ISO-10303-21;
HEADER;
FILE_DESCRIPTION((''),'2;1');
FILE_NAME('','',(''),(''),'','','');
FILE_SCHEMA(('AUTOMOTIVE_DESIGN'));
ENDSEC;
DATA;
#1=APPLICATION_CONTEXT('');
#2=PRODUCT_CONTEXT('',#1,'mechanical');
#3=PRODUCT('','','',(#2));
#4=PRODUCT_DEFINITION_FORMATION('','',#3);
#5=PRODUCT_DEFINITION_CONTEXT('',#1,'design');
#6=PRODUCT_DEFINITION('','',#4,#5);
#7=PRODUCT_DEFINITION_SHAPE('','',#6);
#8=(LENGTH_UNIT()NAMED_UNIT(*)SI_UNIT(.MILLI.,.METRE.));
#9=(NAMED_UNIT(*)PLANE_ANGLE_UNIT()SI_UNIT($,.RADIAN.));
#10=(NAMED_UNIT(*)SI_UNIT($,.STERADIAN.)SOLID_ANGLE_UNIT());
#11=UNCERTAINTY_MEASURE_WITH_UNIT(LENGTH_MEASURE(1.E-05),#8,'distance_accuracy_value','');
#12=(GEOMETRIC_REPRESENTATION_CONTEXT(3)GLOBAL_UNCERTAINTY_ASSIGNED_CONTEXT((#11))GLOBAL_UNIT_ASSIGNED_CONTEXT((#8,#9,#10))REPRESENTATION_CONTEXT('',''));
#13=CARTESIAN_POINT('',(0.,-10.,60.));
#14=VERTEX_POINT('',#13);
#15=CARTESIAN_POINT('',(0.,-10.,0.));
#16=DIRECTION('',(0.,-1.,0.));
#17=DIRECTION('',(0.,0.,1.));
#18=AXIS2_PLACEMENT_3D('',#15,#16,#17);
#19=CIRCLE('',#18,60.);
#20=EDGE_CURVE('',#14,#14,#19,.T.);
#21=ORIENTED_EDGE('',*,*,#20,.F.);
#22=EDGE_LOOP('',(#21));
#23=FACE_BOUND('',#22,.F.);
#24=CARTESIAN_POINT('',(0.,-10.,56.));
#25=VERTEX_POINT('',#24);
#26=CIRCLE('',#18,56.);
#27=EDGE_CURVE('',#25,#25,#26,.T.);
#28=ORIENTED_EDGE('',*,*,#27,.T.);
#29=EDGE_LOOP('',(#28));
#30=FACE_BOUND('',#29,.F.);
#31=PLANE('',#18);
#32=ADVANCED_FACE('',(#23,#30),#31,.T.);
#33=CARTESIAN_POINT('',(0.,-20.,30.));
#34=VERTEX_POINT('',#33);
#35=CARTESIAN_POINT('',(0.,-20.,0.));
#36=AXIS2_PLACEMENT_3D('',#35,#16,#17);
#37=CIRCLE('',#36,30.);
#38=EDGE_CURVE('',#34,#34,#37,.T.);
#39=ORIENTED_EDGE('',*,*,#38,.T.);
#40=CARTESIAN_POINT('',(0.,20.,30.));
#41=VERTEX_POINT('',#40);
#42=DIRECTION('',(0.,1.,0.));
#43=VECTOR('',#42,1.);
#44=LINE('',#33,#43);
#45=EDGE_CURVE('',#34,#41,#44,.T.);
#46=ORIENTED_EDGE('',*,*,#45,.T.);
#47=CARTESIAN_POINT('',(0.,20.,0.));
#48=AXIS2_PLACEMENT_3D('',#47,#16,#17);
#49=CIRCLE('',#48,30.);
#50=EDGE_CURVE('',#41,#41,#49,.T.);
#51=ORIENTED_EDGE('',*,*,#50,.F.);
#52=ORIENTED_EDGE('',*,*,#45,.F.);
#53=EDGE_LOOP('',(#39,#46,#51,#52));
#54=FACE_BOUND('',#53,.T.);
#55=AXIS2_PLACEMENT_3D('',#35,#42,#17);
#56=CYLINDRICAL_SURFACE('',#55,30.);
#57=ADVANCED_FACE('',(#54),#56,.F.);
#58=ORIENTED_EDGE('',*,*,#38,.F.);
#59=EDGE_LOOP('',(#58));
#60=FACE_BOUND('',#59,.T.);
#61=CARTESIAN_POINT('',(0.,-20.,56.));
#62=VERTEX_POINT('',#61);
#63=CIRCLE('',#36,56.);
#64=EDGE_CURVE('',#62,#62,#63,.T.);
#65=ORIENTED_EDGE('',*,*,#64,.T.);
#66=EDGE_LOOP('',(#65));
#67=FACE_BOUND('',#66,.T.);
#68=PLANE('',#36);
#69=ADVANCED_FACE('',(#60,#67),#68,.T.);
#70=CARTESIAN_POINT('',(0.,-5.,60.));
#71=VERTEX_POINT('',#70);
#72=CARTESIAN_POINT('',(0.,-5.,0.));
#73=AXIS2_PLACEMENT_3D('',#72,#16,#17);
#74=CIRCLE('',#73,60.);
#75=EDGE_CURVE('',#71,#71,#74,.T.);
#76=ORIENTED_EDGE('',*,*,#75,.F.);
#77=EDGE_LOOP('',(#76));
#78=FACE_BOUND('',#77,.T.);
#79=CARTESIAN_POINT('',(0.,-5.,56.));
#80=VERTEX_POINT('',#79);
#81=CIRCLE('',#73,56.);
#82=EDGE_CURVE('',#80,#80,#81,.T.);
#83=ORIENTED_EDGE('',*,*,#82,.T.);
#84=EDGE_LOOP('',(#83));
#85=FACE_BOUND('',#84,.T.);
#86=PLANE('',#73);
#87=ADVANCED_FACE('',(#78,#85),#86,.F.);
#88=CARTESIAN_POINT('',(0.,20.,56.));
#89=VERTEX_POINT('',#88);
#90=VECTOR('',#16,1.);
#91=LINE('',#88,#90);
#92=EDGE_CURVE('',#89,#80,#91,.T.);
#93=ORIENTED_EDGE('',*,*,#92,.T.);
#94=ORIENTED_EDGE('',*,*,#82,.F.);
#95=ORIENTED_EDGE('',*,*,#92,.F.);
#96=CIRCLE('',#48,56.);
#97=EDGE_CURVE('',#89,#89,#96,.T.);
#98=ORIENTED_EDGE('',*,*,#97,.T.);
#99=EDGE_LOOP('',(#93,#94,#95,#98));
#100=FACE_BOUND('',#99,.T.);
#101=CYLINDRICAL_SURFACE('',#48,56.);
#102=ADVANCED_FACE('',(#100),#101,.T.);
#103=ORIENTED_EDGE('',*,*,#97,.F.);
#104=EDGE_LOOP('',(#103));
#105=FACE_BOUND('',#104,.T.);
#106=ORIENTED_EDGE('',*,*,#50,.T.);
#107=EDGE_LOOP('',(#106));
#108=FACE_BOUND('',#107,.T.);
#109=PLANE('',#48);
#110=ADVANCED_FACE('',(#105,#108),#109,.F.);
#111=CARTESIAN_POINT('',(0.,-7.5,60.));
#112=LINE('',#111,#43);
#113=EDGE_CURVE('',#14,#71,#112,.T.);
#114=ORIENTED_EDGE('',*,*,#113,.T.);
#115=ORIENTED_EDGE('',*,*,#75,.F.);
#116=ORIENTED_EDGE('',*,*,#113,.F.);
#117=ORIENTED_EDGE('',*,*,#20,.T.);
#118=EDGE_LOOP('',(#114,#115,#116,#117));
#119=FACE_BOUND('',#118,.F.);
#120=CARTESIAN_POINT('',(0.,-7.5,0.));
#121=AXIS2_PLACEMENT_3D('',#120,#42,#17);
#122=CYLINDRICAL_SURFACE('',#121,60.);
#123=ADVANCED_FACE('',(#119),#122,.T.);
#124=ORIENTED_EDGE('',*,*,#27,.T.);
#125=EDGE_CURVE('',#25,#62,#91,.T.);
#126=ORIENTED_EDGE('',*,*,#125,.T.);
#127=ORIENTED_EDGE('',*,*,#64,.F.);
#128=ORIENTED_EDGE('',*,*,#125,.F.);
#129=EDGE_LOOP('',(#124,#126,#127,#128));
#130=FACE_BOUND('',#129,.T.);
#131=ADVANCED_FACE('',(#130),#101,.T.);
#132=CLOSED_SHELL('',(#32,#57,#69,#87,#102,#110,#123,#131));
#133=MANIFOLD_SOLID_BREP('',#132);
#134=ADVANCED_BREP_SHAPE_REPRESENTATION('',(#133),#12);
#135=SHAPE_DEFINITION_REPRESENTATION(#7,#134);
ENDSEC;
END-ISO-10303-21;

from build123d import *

# Parameters (mm, degrees)
F0_W = 5
F0_H = 4


with BuildPart() as f1:
    # F0 (on Right) → F1 (revolve)
    with BuildSketch(Plane.YZ):
        Polygon((-10, 56), (-20, 56), (-20, 30), (20, 30), (20, 56), (-5, 56), align=None)
        with Locations((-7.5, 58)):
            Rectangle(F0_W, F0_H)
    revolve(axis=Axis((0, -1.266651, 0), (0, -1, 0)))


solid = f1.part
